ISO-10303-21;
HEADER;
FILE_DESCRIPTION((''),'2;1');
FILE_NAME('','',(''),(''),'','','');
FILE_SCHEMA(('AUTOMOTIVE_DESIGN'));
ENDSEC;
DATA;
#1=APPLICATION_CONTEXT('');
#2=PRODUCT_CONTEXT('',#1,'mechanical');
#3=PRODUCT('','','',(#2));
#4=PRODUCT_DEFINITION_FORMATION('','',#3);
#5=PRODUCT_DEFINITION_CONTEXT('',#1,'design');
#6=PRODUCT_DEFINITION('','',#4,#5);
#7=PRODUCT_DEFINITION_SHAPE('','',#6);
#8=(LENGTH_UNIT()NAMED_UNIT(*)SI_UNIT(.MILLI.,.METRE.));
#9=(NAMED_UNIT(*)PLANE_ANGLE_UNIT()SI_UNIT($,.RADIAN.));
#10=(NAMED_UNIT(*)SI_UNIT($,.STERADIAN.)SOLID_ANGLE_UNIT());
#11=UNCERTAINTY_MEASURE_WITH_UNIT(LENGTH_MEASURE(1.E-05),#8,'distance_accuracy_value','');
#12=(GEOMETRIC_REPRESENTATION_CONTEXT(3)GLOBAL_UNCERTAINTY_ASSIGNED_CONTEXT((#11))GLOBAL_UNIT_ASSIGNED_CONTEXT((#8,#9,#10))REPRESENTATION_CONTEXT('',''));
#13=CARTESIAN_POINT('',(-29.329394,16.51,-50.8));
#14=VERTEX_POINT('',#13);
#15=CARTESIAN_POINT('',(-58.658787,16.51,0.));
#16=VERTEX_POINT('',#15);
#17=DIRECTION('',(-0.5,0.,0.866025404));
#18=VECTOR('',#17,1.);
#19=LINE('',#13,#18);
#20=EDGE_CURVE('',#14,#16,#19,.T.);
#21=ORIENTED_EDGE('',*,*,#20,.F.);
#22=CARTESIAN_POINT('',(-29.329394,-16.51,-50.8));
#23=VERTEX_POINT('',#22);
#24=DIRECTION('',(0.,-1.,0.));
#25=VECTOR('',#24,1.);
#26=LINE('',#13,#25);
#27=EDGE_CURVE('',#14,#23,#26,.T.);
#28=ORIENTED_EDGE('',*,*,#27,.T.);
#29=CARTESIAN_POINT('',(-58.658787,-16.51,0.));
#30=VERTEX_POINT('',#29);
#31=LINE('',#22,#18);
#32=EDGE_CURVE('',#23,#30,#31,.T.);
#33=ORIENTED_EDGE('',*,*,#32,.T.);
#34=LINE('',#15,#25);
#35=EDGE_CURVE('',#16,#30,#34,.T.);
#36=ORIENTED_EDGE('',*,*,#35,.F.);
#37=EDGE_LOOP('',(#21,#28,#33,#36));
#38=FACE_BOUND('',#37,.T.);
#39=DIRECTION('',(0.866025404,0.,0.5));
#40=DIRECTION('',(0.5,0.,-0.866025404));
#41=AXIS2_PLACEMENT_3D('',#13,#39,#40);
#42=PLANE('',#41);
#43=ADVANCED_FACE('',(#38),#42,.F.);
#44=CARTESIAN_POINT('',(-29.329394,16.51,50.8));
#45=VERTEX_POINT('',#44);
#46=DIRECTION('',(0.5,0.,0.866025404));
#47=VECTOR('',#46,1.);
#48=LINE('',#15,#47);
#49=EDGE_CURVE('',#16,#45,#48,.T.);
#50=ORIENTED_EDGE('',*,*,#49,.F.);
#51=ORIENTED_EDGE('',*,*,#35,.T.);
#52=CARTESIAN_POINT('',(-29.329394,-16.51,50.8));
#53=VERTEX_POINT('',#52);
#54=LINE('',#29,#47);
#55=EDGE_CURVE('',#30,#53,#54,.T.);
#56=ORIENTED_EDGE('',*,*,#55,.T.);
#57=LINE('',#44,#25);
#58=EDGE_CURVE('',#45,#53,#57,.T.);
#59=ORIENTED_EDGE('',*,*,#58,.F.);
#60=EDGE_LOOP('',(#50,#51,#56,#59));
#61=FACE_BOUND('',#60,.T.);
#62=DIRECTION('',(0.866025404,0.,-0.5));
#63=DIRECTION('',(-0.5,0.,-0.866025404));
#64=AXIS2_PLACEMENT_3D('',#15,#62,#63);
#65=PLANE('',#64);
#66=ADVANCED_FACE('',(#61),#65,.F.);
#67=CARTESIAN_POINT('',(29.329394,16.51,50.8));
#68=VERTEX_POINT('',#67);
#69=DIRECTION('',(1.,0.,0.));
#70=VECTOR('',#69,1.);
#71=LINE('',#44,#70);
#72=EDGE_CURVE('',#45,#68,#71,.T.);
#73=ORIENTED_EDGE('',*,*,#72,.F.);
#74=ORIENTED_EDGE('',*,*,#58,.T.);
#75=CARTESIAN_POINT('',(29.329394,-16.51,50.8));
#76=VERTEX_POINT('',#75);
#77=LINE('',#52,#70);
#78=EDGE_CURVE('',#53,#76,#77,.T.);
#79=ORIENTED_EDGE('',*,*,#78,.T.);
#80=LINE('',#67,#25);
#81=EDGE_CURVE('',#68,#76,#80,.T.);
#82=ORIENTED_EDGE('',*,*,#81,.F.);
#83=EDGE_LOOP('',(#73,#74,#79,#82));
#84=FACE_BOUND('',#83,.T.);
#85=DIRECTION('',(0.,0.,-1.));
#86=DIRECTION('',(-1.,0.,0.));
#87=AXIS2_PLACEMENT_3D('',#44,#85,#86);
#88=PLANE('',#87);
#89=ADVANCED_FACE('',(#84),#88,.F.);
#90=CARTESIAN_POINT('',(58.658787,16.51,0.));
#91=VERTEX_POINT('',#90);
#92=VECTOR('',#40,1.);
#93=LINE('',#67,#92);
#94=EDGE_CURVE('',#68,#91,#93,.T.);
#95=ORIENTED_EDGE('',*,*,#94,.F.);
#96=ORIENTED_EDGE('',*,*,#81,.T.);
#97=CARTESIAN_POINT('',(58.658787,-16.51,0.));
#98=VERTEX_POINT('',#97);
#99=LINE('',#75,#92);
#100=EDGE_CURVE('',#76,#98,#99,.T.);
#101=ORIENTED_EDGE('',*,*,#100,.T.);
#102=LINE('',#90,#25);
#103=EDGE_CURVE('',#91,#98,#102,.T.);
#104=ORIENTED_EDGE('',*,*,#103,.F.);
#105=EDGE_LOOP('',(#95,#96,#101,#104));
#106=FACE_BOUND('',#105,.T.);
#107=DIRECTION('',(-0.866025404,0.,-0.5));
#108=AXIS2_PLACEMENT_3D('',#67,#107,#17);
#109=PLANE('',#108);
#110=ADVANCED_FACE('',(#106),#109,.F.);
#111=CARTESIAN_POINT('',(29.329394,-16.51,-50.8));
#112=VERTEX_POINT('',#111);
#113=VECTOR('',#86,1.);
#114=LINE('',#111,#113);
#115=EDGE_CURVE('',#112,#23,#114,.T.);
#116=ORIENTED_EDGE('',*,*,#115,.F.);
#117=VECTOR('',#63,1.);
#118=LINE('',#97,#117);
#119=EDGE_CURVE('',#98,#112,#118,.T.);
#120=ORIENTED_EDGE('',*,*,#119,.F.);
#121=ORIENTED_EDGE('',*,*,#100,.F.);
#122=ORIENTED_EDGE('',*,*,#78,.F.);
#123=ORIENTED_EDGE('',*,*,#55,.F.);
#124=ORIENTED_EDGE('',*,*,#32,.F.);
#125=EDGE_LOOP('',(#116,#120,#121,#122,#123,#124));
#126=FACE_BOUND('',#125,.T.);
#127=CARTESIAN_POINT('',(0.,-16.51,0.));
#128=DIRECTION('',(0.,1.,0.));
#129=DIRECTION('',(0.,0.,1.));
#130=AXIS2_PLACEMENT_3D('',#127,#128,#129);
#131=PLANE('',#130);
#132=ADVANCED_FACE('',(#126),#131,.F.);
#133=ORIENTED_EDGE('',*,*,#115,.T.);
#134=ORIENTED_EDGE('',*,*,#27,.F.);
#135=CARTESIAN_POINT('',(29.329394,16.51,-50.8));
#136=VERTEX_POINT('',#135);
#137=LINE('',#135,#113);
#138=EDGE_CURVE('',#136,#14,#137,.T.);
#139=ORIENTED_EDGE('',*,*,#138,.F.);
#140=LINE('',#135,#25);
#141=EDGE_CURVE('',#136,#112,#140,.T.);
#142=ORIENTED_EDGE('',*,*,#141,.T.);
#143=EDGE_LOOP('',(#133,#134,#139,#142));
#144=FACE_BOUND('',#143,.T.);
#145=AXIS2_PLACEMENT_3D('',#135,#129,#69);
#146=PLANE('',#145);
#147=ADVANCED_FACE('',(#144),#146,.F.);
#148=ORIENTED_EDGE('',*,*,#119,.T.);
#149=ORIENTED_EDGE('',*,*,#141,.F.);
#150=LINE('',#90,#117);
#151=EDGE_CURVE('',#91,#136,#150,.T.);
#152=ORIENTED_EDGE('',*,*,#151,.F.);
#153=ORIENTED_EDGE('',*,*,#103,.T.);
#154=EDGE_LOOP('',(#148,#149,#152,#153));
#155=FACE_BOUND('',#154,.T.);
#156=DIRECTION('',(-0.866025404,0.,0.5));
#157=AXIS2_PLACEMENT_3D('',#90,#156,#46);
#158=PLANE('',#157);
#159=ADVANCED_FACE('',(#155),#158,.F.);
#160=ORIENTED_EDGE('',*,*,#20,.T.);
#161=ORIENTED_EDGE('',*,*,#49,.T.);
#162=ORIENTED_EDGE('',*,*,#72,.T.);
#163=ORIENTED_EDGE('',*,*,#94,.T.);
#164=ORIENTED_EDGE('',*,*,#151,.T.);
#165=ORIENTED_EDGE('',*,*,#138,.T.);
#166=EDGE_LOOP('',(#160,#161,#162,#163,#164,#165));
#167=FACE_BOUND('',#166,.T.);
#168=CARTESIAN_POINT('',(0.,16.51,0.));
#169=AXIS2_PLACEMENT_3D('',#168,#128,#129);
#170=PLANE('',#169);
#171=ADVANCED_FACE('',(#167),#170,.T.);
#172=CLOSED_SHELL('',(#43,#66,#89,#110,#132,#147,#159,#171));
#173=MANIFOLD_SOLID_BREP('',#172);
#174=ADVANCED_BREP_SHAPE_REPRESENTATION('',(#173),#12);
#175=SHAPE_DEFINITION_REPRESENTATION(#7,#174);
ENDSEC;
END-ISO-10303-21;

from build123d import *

# Parameters (mm, degrees)
BOSS_EXTRUDE1_DEPTH = 16.51


with BuildPart() as part:
    # Sketch1 → Boss-Extrude1 (new, symmetric)
    with BuildSketch(Plane(origin=(0, 0, 0), x_dir=(1, 0, 0), z_dir=(0, 1, 0))):
        Polygon((-58.65878735, 0), (-29.329393675, -50.8), (29.329393675, -50.8), (58.65878735, 0), (29.329393675, 50.8), (-29.329393675, 50.8), align=None)
    extrude(amount=BOSS_EXTRUDE1_DEPTH, both=True)


solid = part.part
